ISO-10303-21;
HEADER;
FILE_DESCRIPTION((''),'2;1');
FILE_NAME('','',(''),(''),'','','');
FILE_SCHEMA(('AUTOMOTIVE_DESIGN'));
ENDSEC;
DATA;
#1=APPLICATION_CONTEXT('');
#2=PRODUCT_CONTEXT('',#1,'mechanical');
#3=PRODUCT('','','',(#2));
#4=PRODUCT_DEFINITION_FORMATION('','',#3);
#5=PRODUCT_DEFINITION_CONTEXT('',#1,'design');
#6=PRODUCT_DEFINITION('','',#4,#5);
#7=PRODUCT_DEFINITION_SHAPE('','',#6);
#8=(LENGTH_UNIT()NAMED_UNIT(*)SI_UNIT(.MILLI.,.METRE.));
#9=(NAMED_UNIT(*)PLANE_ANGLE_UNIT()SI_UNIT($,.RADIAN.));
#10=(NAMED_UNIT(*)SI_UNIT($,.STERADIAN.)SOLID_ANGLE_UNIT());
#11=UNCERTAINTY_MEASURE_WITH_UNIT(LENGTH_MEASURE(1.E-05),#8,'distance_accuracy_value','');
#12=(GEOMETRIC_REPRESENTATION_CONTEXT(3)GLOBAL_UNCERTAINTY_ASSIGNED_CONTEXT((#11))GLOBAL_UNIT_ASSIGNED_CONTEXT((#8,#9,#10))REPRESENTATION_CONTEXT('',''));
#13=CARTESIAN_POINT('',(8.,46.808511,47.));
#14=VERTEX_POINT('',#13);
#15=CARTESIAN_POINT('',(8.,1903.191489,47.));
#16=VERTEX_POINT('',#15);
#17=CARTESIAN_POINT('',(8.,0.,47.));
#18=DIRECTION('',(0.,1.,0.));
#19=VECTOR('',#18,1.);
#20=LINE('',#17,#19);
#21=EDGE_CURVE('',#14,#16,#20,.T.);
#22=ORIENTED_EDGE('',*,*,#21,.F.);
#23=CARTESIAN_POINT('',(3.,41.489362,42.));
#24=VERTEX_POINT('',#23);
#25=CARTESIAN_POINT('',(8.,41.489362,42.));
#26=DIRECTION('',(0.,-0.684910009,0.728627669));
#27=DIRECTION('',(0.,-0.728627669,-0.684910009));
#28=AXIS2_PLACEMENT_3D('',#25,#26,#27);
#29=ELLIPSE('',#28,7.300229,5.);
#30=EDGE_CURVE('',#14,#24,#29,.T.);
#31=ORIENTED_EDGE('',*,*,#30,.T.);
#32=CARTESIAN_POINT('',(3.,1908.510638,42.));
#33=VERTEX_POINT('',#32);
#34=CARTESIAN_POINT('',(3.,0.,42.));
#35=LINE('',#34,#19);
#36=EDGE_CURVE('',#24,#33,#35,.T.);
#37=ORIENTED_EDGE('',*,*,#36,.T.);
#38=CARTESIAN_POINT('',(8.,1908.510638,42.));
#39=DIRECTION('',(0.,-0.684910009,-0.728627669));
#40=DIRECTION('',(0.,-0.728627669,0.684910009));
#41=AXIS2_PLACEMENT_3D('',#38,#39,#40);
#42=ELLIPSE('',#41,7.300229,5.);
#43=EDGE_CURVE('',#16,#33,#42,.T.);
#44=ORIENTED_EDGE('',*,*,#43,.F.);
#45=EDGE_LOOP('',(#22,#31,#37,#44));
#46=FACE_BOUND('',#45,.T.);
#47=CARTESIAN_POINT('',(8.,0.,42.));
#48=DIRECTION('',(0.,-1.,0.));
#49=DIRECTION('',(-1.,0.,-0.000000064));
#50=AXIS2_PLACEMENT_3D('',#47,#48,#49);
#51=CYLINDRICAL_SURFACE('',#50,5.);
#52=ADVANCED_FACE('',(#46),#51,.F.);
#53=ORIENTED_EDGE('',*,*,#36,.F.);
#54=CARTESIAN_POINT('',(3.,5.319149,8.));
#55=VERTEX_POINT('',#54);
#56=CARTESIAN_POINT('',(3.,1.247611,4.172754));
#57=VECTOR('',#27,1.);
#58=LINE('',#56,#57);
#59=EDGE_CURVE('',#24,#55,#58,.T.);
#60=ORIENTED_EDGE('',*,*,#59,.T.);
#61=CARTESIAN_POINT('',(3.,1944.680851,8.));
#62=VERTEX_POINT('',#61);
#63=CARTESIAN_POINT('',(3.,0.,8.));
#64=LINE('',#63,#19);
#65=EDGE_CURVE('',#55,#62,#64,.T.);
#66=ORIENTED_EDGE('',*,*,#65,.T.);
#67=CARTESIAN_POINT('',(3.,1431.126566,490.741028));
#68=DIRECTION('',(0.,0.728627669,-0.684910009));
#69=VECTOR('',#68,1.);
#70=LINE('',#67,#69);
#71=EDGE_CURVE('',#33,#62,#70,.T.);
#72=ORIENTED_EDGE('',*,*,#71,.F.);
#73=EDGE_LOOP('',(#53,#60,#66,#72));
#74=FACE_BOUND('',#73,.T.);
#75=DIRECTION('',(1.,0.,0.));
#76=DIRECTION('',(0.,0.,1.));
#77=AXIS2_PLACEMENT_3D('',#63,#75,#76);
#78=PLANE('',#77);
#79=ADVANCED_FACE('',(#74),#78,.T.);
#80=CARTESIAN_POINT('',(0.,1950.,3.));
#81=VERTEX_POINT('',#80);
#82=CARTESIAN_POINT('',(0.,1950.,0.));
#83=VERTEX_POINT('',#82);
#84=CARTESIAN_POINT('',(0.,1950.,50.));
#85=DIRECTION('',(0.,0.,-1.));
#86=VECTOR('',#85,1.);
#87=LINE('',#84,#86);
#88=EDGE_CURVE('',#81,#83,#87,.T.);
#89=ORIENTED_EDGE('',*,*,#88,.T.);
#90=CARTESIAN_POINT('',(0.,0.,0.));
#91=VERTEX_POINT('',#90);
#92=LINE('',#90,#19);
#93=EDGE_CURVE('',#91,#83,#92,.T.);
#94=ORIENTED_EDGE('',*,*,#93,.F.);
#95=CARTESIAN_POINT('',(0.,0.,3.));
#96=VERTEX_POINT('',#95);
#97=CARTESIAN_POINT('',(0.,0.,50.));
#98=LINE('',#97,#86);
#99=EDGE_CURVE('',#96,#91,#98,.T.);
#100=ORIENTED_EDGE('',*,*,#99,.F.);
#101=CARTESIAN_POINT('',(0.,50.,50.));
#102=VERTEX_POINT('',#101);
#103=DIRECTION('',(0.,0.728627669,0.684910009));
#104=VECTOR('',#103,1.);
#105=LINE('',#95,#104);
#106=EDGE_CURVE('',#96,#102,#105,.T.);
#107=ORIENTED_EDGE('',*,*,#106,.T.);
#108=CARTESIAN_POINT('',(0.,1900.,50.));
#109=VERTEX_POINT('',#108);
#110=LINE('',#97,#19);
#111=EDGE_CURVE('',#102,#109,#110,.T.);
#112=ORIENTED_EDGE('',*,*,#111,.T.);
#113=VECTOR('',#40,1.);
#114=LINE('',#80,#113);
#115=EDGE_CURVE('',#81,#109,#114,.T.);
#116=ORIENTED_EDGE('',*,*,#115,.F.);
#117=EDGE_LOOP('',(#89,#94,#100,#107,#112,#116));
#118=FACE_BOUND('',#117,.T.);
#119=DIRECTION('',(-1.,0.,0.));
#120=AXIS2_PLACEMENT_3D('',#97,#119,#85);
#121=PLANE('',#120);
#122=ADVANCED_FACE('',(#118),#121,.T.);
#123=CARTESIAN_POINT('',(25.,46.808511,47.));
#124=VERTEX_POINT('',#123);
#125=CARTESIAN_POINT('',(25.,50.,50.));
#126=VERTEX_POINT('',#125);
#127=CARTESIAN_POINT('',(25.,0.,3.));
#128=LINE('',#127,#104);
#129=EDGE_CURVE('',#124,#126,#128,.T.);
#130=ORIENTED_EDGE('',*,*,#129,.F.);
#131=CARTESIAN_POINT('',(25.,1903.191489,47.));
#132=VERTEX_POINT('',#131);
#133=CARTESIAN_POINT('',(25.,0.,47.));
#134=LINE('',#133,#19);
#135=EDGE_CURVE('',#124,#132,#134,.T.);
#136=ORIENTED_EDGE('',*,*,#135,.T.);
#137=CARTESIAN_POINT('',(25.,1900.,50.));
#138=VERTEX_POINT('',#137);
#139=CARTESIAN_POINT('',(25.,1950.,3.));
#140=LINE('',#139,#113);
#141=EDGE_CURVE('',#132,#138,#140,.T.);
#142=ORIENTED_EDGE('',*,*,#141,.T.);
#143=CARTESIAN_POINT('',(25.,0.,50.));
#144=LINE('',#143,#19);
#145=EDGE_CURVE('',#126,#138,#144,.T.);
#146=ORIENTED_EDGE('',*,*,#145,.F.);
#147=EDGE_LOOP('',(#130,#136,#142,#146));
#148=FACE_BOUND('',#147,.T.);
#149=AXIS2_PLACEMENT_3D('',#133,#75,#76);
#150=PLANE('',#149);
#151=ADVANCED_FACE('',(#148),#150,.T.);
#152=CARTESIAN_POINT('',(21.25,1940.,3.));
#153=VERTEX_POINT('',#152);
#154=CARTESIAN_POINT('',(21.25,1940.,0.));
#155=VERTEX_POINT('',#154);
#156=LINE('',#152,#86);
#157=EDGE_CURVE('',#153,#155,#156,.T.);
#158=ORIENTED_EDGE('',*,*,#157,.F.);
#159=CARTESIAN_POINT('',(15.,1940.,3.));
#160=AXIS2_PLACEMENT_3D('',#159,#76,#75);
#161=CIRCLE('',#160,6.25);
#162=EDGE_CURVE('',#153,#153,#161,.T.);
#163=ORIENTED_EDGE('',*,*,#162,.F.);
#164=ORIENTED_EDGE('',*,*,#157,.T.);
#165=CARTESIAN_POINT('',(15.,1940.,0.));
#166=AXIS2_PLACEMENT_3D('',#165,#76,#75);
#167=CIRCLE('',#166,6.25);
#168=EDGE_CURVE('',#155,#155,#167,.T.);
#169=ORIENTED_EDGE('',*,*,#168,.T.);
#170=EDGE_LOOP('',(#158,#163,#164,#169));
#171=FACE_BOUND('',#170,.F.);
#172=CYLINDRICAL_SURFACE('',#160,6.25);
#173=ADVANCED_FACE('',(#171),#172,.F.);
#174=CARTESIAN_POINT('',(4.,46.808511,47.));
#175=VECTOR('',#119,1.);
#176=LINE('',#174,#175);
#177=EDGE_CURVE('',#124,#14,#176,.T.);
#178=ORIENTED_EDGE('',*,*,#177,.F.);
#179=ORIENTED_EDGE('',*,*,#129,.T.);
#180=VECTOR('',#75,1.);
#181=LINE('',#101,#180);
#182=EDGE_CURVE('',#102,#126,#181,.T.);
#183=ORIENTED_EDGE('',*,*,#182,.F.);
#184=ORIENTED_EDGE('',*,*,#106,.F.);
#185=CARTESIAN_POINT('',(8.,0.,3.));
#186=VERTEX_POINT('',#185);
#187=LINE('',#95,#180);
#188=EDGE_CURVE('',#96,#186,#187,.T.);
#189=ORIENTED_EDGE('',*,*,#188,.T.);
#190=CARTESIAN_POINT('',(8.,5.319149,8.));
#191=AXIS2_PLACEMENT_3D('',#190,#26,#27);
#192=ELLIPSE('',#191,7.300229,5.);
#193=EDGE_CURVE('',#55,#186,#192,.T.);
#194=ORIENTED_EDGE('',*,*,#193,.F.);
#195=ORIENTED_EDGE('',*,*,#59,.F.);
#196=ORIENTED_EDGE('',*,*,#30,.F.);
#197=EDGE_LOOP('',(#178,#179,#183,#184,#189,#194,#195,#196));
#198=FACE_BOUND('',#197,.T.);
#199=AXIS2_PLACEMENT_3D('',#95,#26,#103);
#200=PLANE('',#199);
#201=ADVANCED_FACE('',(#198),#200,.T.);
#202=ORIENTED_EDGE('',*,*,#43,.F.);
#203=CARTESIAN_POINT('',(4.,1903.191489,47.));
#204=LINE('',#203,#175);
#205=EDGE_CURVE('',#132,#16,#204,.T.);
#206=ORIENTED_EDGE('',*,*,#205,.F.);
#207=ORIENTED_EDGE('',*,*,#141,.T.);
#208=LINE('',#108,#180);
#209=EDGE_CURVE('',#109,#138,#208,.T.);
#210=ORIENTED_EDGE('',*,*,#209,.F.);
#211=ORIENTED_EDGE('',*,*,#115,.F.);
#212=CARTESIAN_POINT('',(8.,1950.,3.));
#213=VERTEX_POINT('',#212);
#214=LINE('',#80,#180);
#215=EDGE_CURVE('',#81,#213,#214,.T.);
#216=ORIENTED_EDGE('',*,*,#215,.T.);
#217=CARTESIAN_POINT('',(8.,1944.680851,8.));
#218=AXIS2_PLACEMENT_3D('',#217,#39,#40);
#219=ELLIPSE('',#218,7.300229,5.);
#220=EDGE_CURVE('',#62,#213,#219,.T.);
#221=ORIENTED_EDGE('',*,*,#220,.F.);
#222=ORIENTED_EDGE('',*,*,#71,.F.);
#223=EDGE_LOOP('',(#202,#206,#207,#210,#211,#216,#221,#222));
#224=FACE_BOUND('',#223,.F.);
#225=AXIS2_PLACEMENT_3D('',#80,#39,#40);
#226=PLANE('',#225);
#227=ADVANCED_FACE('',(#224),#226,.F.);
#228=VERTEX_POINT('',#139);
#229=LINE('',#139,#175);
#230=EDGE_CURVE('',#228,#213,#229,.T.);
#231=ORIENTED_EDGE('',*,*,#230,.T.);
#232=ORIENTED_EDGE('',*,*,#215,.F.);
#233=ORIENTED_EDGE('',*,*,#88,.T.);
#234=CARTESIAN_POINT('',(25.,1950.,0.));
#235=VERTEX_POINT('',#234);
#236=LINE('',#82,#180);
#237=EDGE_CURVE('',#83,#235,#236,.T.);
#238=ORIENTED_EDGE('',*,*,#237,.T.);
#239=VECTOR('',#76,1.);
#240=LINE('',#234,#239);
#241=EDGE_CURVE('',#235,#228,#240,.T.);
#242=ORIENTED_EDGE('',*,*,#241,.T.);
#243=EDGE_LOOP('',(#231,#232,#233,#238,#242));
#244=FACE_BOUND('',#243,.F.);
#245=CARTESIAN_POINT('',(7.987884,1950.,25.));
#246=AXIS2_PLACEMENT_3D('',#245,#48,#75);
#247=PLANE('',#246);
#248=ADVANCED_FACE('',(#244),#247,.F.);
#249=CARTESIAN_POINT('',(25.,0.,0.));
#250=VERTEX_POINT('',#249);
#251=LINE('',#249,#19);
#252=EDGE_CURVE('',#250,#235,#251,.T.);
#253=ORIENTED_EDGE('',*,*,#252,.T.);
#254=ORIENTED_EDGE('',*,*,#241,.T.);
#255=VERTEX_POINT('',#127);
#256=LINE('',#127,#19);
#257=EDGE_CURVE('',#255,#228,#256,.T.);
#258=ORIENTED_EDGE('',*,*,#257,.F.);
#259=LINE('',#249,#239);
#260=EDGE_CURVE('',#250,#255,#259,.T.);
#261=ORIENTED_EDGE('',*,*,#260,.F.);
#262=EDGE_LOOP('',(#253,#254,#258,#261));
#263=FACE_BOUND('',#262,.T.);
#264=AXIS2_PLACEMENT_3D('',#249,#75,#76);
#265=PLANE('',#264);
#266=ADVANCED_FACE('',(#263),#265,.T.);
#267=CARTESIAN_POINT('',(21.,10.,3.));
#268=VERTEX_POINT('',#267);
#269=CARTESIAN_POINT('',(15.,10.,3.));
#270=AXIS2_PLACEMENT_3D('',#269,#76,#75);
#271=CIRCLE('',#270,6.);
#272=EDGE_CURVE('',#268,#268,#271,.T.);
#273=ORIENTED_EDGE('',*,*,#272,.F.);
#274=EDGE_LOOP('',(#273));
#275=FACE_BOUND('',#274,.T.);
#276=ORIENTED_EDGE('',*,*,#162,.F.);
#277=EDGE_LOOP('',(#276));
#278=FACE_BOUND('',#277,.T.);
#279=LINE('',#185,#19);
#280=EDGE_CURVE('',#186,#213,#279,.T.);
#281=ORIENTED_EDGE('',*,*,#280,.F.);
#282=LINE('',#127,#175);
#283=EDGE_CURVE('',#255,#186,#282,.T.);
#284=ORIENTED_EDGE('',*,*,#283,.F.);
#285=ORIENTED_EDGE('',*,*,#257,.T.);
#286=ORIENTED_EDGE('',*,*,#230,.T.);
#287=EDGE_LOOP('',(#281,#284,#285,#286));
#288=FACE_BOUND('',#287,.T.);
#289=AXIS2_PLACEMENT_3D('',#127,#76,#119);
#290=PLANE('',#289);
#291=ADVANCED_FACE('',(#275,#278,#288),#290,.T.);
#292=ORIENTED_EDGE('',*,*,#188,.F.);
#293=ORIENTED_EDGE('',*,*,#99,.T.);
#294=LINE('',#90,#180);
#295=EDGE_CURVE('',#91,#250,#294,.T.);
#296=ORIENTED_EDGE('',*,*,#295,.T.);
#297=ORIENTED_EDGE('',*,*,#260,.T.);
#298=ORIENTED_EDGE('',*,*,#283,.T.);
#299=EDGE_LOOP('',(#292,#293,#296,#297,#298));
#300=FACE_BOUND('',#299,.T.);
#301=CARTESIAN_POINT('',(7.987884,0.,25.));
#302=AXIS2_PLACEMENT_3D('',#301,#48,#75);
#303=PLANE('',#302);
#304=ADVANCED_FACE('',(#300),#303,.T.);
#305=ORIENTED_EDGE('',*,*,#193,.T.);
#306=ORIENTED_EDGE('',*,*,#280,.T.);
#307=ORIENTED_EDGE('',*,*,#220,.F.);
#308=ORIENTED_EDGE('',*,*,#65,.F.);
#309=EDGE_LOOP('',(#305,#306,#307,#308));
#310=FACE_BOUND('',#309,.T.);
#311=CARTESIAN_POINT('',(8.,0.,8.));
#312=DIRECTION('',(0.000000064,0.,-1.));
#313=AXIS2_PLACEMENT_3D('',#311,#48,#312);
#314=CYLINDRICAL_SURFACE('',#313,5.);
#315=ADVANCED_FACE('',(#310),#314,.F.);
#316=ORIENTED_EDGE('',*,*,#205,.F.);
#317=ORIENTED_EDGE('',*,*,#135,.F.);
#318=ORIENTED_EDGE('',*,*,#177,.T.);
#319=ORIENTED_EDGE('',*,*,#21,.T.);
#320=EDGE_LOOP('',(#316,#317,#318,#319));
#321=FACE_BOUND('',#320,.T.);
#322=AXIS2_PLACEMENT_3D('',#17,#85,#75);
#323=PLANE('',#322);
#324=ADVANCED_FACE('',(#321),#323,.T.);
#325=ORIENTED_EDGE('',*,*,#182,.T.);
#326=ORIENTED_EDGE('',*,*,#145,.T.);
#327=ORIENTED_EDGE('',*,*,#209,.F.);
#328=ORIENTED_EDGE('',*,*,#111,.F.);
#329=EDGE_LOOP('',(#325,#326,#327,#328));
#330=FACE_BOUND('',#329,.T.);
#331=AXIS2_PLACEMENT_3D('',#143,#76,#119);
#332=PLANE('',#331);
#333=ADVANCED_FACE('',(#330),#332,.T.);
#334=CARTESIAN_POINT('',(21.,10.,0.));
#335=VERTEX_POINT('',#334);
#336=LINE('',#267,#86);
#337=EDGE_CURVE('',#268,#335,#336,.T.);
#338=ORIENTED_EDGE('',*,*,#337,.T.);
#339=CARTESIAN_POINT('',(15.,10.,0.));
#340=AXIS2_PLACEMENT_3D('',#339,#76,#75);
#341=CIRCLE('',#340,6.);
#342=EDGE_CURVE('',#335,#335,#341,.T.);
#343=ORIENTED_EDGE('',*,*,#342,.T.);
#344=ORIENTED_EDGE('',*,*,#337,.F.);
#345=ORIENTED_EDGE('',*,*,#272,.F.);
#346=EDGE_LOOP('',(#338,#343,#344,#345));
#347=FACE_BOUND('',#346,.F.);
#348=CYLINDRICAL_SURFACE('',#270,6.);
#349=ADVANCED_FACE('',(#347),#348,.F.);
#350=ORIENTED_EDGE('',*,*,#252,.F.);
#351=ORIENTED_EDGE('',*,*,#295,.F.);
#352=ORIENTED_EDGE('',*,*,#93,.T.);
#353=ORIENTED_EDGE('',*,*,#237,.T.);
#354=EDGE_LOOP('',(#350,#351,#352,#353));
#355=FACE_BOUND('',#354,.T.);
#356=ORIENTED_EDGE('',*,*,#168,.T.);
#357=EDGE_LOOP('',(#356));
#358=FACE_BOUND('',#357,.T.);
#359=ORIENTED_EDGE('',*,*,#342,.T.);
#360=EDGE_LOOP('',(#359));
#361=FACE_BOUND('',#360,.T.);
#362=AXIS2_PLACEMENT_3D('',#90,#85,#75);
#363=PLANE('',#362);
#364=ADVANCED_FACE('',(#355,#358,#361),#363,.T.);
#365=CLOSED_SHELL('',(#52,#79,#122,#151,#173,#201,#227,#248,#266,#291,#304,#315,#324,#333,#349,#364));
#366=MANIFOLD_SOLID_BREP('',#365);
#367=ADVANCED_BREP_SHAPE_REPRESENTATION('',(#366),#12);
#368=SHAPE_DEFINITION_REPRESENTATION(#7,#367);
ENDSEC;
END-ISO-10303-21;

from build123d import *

# Parameters (mm, degrees)
F1_DEPTH = 1950
F3_DEPTH = 25
F5_DEPTH = 25
F6_R     = 6
F7_DEPTH = 3.001
F8_R     = 6.25
F9_DEPTH = 3.001


with BuildPart() as f1:
    # F0 (on Front) → F1 (new body)
    with BuildSketch(Plane.XZ):
        with BuildLine():
            Line((0, 0), (25, 0))
            Line((25, 0), (25, 3))
            Line((25, 3), (8, 3))
            ThreePointArc((8, 3), (4.464466, 4.464466), (3, 8))
            Line((3, 8), (3, 42))
            ThreePointArc((3, 42), (4.464466, 45.535534), (8, 47))
            Line((8, 47), (25, 47))
            Line((25, 47), (25, 50))
            Line((25, 50), (0, 50))
            Line((0, 50), (0, 0))
        make_face()
    extrude(amount=-F1_DEPTH)

    # F2 (on Right) → F3 (cut)
    with BuildSketch(Plane.YZ):
        Polygon((0, 49), (0, 3), (50, 50), (0, 50), align=None)
    extrude(amount=F3_DEPTH, mode=Mode.SUBTRACT)

    # F4 (on face) → F5 (cut)
    with BuildSketch(Plane(origin=(0, 0, 0), x_dir=(0, -1, 0), z_dir=(-1, 0, 0))):
        Polygon((-1950, 3), (-1900, 50), (-1950, 50), align=None)
    extrude(amount=-F5_DEPTH, mode=Mode.SUBTRACT)

    # F6 (on face) → F7 (cut, through all)
    with BuildSketch(Plane.XY.offset(3)):
        with Locations((15, 10)):
            Circle(F6_R)
    extrude(amount=-F7_DEPTH, mode=Mode.SUBTRACT)

    # F8 (on face) → F9 (cut, through all)
    with BuildSketch(Plane.XY.offset(3)):
        with Locations((15, 1940)):
            Circle(F8_R)
    extrude(amount=-F9_DEPTH, mode=Mode.SUBTRACT)


solid = f1.part
